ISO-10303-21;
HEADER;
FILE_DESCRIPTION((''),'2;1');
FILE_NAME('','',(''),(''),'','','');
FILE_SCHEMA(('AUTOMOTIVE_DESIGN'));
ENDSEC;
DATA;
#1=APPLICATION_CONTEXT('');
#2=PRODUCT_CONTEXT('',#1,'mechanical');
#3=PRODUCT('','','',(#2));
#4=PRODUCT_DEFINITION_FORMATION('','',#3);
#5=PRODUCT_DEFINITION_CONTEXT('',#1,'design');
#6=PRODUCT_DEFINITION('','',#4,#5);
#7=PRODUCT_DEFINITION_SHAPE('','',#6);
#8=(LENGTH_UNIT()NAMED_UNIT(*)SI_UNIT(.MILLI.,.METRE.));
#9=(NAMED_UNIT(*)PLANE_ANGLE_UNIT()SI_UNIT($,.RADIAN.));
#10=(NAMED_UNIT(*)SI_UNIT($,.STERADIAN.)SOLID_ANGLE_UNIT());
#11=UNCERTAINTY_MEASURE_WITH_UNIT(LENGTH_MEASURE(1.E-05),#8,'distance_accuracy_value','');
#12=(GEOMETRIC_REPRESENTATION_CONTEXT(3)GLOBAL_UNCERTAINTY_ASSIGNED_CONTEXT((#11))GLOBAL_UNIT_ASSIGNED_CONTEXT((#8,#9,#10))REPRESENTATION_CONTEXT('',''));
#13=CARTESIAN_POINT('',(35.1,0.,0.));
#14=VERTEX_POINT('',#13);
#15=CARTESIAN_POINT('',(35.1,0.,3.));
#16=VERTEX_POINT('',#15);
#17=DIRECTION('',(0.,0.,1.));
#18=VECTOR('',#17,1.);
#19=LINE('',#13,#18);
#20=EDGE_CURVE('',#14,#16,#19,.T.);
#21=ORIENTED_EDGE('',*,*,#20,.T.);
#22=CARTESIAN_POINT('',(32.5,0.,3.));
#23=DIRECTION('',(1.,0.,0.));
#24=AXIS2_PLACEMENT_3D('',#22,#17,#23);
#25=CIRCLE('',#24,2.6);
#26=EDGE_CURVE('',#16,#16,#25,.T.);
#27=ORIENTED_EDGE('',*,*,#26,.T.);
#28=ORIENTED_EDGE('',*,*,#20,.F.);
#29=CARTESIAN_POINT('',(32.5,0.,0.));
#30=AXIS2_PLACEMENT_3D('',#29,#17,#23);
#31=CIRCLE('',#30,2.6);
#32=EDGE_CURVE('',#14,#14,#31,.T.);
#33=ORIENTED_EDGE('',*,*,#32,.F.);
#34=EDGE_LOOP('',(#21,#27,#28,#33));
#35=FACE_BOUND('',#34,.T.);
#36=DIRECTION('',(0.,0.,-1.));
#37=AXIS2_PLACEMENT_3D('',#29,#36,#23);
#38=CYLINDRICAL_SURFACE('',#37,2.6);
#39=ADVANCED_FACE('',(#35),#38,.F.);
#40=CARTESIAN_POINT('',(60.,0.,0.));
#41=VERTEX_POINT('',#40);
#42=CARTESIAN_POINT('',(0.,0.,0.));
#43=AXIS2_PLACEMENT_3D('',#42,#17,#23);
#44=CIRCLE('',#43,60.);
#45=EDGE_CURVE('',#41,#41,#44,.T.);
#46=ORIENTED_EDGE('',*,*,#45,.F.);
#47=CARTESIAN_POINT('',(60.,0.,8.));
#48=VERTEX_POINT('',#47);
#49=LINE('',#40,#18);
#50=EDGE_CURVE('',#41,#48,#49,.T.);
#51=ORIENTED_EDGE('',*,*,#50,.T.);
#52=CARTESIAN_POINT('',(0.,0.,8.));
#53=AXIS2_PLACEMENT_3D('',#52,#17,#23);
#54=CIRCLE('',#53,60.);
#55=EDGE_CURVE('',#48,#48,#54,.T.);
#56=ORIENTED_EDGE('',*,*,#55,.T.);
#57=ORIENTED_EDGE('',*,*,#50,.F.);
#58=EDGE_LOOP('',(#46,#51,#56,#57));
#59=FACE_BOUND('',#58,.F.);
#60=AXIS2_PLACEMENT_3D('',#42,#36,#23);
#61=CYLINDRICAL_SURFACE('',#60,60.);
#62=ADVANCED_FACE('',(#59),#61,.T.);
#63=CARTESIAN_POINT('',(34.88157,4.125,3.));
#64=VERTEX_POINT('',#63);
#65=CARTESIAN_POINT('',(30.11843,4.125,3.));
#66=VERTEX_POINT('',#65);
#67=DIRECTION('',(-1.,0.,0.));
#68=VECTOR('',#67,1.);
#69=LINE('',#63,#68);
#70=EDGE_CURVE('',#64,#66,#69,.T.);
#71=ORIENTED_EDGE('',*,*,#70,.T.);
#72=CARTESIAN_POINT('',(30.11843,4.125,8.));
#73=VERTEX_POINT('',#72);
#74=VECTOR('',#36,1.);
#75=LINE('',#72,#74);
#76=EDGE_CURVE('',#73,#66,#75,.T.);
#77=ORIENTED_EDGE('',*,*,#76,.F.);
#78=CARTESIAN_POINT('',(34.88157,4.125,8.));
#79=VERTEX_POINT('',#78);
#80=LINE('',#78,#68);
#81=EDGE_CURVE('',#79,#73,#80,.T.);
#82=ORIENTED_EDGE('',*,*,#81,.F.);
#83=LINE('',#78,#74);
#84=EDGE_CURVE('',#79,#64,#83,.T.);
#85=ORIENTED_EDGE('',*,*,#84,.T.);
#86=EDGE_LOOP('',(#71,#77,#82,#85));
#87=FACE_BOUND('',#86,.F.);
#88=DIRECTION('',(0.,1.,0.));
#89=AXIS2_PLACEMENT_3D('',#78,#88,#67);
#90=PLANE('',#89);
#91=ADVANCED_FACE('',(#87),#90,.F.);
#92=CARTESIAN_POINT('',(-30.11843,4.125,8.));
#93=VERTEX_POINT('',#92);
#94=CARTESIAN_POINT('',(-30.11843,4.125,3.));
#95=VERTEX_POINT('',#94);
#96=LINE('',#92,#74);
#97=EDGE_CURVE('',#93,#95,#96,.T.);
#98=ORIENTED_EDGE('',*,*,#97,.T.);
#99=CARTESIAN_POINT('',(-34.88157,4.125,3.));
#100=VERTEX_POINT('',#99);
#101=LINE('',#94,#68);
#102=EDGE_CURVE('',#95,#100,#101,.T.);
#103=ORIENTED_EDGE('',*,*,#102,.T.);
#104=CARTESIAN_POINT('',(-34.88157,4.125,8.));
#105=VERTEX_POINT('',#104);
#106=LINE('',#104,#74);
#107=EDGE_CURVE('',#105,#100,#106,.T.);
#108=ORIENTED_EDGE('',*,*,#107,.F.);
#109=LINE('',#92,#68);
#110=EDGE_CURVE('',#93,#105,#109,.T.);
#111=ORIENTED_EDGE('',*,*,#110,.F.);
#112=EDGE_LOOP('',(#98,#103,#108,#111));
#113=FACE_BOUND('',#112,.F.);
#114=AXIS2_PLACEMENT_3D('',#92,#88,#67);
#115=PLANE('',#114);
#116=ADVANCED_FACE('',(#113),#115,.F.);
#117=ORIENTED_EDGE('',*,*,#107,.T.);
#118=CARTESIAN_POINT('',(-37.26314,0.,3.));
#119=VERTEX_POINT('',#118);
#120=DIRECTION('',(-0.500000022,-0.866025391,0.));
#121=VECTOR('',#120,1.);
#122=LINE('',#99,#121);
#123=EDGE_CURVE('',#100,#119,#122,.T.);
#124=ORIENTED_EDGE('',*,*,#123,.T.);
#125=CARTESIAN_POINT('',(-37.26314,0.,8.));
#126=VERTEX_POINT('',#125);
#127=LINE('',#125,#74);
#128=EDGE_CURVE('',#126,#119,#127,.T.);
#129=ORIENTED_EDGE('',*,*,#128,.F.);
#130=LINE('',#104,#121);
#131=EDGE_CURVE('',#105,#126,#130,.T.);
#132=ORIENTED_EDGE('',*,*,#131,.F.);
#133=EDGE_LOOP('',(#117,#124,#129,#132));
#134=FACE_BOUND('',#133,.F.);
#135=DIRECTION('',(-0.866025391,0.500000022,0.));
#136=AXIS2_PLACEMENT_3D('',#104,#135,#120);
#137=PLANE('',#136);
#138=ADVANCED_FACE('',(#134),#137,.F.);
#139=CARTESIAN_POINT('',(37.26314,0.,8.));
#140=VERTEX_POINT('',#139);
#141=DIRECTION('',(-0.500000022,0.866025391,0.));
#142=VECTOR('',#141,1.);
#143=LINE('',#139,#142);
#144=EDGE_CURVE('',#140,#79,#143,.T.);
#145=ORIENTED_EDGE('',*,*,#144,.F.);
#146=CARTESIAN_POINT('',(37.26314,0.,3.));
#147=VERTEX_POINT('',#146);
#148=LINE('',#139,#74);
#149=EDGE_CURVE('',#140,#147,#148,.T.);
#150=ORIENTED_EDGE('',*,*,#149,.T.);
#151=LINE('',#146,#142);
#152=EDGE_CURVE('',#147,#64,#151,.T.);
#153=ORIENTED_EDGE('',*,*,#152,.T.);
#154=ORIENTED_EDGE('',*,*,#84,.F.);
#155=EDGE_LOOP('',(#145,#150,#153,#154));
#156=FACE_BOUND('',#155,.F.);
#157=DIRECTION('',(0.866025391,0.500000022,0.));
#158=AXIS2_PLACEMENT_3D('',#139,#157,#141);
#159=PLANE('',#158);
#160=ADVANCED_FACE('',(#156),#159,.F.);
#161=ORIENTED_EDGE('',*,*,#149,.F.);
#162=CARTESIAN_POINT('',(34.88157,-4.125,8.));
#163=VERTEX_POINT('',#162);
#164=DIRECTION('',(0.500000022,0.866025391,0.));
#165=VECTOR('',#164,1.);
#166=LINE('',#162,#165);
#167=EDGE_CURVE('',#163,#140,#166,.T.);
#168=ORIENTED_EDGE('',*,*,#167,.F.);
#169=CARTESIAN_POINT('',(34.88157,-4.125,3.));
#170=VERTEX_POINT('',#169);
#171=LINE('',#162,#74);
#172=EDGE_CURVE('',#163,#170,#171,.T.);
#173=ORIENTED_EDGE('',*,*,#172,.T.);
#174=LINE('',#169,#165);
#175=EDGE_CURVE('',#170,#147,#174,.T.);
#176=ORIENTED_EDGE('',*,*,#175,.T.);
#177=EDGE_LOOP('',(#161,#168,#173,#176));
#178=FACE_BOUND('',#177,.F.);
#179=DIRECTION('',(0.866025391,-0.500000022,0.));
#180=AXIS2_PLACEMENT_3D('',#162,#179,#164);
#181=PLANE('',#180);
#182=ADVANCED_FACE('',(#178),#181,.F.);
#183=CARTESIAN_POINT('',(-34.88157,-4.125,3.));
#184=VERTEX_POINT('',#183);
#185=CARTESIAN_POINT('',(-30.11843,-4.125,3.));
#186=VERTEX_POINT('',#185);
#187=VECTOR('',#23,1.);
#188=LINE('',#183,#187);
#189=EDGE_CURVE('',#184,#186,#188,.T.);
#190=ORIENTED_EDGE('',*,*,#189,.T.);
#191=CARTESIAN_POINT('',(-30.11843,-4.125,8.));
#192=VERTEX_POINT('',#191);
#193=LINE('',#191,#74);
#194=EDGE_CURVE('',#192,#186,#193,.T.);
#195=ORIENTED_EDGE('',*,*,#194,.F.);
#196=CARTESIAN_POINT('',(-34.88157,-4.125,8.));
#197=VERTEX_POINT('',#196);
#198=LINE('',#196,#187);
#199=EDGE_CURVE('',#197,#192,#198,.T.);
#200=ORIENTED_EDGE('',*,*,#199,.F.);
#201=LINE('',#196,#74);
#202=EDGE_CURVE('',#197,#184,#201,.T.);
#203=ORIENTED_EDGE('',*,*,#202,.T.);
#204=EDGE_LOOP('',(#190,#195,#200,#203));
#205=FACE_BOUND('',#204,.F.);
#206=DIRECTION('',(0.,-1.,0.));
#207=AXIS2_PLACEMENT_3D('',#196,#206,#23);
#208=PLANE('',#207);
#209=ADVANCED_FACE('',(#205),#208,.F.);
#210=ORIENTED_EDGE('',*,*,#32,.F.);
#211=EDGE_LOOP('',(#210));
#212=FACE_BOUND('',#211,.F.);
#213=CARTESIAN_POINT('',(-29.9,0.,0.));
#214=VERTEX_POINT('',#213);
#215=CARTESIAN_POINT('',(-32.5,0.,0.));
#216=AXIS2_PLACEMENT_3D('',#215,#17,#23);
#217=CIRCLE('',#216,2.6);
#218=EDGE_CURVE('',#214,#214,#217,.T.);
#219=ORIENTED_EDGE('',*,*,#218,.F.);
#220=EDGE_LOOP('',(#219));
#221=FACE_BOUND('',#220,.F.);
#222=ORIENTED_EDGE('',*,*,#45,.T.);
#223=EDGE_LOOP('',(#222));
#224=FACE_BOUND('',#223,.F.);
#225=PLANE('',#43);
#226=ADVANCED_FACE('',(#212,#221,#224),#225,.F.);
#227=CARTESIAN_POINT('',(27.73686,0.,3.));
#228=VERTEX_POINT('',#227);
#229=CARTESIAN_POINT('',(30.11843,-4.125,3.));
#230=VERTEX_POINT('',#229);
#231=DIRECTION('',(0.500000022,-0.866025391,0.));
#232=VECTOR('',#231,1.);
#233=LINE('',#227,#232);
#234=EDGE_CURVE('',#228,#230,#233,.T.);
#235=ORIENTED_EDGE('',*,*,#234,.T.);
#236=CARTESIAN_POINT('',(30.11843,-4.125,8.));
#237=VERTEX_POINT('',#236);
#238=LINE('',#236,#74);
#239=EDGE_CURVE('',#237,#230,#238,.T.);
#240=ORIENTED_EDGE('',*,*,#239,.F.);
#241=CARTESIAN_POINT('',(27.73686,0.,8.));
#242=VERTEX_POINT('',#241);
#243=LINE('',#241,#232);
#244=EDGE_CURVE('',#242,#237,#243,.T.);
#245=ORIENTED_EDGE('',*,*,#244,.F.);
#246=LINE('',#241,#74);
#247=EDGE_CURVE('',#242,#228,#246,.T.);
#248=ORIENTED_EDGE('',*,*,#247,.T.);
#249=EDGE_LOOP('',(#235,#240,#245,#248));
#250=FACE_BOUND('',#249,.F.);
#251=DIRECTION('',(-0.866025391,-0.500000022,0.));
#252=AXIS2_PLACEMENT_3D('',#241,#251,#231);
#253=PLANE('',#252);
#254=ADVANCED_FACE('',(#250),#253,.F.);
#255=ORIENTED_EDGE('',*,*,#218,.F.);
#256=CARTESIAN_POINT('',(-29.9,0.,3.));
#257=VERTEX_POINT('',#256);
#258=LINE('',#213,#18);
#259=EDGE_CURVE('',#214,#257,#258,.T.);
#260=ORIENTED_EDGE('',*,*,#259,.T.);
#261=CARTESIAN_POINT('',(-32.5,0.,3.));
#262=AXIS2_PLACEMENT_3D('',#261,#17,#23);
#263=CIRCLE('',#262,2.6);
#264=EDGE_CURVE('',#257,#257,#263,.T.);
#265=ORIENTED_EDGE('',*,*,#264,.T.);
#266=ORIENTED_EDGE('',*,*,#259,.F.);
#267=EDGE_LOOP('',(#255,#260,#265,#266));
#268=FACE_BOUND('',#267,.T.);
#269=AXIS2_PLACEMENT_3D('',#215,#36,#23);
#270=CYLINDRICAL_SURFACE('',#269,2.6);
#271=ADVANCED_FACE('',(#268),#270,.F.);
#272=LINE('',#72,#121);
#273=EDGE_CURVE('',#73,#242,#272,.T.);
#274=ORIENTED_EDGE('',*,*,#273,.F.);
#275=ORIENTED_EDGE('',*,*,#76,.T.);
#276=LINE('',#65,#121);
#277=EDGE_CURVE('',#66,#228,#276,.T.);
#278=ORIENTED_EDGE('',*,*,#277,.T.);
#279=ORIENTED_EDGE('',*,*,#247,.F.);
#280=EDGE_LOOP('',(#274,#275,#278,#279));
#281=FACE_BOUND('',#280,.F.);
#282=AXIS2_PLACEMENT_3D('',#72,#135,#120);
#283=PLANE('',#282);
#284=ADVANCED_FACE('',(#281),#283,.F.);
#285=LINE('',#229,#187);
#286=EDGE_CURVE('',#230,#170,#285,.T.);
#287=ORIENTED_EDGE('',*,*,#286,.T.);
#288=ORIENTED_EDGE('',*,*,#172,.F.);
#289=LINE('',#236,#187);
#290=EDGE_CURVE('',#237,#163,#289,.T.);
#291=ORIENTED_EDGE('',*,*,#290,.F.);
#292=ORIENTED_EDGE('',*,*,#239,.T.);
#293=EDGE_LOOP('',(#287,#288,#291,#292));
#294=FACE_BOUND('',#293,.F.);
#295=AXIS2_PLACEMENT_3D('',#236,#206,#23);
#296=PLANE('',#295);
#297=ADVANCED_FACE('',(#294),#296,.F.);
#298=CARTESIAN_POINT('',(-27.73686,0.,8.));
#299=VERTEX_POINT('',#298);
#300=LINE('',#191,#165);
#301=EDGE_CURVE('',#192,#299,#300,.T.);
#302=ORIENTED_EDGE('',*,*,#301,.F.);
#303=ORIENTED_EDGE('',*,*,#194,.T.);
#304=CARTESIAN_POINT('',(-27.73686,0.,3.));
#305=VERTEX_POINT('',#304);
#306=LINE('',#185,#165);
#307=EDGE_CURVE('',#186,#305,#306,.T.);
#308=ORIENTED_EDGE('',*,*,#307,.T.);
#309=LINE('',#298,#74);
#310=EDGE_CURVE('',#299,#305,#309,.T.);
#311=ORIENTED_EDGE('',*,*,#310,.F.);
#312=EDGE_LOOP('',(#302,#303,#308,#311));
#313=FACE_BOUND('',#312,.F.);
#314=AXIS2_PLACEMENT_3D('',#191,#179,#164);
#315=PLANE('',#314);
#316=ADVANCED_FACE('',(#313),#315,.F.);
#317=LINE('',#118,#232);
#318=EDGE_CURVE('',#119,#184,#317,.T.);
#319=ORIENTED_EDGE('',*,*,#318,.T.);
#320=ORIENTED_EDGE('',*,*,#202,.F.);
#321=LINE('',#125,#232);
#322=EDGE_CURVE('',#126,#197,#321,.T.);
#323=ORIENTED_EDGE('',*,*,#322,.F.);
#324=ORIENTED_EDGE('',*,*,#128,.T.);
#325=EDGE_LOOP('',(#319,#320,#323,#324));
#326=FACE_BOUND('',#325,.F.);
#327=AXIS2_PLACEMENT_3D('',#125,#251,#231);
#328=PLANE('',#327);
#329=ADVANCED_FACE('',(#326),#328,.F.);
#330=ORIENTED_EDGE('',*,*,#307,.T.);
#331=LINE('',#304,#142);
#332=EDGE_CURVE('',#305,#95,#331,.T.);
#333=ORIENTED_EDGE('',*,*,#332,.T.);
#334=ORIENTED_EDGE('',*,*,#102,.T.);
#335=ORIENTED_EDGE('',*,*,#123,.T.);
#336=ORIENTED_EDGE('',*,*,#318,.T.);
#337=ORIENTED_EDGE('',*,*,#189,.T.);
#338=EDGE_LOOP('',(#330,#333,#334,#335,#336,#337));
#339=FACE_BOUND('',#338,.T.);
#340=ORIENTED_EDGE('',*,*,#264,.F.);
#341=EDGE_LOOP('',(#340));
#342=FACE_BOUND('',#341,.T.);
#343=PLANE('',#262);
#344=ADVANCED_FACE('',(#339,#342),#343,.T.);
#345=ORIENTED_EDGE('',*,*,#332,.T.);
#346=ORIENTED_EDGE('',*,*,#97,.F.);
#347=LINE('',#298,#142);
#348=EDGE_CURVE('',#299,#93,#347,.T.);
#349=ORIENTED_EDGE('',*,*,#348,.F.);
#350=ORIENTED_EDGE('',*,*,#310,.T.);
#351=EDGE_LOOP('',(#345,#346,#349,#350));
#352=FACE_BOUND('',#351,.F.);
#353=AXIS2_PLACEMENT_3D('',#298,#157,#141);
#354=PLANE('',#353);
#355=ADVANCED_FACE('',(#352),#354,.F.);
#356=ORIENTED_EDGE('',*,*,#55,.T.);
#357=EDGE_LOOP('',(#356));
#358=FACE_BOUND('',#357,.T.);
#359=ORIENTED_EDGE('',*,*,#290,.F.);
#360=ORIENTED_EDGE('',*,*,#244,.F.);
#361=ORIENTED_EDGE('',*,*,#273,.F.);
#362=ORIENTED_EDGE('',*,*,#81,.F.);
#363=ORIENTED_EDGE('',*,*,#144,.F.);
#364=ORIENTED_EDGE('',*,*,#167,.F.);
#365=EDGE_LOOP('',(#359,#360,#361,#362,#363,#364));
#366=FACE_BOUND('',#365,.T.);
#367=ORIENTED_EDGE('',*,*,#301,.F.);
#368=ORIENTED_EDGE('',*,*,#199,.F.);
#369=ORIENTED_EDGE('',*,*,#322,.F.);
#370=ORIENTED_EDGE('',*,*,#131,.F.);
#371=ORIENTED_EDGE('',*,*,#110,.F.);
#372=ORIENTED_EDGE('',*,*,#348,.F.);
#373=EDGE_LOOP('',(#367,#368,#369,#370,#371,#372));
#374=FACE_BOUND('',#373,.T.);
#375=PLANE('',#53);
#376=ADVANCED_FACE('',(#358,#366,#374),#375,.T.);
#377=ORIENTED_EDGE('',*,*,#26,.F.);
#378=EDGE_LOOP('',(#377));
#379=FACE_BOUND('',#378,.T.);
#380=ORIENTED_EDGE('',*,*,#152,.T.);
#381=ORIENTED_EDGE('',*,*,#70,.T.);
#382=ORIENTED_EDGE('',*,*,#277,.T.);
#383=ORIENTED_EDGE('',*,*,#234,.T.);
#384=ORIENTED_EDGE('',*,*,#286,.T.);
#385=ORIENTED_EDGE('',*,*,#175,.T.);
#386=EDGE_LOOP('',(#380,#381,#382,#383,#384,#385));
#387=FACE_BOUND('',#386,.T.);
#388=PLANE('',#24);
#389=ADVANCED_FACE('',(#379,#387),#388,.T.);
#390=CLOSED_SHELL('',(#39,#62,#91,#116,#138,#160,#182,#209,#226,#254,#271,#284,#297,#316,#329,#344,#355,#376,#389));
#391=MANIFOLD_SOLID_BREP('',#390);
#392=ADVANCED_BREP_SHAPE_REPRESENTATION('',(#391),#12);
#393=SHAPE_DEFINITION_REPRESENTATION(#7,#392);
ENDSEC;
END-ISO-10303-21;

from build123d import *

# Parameters (mm, degrees)
F0_R     = 60
F0_R_2   = 2.6
F1_DEPTH = 8
F2_R     = 2.6
F3_DEPTH = 5


with BuildPart() as f1:
    # F0 (on Top) → F1 (new body)
    with BuildSketch(Plane.XY):
        Circle(F0_R)
        with Locations((-32.5, 0)):
            Circle(F0_R_2, mode=Mode.SUBTRACT)
        with Locations((32.5, 0)):
            Circle(F0_R_2, mode=Mode.SUBTRACT)
    extrude(amount=F1_DEPTH)

    # F2 (on face) → F3 (cut)
    with BuildSketch(Plane.XY.offset(8)):
        Polygon((37.26314, 0), (34.88157, 4.125), (30.11843, 4.125), (27.73686, 0), (30.11843, -4.125), (34.88157, -4.125), align=None)
        with Locations((32.5, 0)):
            Circle(F2_R, mode=Mode.SUBTRACT)
        Polygon((-30.11843, 4.125), (-34.88157, 4.125), (-37.26314, 0), (-34.88157, -4.125), (-30.11843, -4.125), (-27.73686, 0), align=None)
        with Locations((-32.5, 0)):
            Circle(F2_R, mode=Mode.SUBTRACT)
    extrude(amount=-F3_DEPTH, mode=Mode.SUBTRACT)


solid = f1.part
